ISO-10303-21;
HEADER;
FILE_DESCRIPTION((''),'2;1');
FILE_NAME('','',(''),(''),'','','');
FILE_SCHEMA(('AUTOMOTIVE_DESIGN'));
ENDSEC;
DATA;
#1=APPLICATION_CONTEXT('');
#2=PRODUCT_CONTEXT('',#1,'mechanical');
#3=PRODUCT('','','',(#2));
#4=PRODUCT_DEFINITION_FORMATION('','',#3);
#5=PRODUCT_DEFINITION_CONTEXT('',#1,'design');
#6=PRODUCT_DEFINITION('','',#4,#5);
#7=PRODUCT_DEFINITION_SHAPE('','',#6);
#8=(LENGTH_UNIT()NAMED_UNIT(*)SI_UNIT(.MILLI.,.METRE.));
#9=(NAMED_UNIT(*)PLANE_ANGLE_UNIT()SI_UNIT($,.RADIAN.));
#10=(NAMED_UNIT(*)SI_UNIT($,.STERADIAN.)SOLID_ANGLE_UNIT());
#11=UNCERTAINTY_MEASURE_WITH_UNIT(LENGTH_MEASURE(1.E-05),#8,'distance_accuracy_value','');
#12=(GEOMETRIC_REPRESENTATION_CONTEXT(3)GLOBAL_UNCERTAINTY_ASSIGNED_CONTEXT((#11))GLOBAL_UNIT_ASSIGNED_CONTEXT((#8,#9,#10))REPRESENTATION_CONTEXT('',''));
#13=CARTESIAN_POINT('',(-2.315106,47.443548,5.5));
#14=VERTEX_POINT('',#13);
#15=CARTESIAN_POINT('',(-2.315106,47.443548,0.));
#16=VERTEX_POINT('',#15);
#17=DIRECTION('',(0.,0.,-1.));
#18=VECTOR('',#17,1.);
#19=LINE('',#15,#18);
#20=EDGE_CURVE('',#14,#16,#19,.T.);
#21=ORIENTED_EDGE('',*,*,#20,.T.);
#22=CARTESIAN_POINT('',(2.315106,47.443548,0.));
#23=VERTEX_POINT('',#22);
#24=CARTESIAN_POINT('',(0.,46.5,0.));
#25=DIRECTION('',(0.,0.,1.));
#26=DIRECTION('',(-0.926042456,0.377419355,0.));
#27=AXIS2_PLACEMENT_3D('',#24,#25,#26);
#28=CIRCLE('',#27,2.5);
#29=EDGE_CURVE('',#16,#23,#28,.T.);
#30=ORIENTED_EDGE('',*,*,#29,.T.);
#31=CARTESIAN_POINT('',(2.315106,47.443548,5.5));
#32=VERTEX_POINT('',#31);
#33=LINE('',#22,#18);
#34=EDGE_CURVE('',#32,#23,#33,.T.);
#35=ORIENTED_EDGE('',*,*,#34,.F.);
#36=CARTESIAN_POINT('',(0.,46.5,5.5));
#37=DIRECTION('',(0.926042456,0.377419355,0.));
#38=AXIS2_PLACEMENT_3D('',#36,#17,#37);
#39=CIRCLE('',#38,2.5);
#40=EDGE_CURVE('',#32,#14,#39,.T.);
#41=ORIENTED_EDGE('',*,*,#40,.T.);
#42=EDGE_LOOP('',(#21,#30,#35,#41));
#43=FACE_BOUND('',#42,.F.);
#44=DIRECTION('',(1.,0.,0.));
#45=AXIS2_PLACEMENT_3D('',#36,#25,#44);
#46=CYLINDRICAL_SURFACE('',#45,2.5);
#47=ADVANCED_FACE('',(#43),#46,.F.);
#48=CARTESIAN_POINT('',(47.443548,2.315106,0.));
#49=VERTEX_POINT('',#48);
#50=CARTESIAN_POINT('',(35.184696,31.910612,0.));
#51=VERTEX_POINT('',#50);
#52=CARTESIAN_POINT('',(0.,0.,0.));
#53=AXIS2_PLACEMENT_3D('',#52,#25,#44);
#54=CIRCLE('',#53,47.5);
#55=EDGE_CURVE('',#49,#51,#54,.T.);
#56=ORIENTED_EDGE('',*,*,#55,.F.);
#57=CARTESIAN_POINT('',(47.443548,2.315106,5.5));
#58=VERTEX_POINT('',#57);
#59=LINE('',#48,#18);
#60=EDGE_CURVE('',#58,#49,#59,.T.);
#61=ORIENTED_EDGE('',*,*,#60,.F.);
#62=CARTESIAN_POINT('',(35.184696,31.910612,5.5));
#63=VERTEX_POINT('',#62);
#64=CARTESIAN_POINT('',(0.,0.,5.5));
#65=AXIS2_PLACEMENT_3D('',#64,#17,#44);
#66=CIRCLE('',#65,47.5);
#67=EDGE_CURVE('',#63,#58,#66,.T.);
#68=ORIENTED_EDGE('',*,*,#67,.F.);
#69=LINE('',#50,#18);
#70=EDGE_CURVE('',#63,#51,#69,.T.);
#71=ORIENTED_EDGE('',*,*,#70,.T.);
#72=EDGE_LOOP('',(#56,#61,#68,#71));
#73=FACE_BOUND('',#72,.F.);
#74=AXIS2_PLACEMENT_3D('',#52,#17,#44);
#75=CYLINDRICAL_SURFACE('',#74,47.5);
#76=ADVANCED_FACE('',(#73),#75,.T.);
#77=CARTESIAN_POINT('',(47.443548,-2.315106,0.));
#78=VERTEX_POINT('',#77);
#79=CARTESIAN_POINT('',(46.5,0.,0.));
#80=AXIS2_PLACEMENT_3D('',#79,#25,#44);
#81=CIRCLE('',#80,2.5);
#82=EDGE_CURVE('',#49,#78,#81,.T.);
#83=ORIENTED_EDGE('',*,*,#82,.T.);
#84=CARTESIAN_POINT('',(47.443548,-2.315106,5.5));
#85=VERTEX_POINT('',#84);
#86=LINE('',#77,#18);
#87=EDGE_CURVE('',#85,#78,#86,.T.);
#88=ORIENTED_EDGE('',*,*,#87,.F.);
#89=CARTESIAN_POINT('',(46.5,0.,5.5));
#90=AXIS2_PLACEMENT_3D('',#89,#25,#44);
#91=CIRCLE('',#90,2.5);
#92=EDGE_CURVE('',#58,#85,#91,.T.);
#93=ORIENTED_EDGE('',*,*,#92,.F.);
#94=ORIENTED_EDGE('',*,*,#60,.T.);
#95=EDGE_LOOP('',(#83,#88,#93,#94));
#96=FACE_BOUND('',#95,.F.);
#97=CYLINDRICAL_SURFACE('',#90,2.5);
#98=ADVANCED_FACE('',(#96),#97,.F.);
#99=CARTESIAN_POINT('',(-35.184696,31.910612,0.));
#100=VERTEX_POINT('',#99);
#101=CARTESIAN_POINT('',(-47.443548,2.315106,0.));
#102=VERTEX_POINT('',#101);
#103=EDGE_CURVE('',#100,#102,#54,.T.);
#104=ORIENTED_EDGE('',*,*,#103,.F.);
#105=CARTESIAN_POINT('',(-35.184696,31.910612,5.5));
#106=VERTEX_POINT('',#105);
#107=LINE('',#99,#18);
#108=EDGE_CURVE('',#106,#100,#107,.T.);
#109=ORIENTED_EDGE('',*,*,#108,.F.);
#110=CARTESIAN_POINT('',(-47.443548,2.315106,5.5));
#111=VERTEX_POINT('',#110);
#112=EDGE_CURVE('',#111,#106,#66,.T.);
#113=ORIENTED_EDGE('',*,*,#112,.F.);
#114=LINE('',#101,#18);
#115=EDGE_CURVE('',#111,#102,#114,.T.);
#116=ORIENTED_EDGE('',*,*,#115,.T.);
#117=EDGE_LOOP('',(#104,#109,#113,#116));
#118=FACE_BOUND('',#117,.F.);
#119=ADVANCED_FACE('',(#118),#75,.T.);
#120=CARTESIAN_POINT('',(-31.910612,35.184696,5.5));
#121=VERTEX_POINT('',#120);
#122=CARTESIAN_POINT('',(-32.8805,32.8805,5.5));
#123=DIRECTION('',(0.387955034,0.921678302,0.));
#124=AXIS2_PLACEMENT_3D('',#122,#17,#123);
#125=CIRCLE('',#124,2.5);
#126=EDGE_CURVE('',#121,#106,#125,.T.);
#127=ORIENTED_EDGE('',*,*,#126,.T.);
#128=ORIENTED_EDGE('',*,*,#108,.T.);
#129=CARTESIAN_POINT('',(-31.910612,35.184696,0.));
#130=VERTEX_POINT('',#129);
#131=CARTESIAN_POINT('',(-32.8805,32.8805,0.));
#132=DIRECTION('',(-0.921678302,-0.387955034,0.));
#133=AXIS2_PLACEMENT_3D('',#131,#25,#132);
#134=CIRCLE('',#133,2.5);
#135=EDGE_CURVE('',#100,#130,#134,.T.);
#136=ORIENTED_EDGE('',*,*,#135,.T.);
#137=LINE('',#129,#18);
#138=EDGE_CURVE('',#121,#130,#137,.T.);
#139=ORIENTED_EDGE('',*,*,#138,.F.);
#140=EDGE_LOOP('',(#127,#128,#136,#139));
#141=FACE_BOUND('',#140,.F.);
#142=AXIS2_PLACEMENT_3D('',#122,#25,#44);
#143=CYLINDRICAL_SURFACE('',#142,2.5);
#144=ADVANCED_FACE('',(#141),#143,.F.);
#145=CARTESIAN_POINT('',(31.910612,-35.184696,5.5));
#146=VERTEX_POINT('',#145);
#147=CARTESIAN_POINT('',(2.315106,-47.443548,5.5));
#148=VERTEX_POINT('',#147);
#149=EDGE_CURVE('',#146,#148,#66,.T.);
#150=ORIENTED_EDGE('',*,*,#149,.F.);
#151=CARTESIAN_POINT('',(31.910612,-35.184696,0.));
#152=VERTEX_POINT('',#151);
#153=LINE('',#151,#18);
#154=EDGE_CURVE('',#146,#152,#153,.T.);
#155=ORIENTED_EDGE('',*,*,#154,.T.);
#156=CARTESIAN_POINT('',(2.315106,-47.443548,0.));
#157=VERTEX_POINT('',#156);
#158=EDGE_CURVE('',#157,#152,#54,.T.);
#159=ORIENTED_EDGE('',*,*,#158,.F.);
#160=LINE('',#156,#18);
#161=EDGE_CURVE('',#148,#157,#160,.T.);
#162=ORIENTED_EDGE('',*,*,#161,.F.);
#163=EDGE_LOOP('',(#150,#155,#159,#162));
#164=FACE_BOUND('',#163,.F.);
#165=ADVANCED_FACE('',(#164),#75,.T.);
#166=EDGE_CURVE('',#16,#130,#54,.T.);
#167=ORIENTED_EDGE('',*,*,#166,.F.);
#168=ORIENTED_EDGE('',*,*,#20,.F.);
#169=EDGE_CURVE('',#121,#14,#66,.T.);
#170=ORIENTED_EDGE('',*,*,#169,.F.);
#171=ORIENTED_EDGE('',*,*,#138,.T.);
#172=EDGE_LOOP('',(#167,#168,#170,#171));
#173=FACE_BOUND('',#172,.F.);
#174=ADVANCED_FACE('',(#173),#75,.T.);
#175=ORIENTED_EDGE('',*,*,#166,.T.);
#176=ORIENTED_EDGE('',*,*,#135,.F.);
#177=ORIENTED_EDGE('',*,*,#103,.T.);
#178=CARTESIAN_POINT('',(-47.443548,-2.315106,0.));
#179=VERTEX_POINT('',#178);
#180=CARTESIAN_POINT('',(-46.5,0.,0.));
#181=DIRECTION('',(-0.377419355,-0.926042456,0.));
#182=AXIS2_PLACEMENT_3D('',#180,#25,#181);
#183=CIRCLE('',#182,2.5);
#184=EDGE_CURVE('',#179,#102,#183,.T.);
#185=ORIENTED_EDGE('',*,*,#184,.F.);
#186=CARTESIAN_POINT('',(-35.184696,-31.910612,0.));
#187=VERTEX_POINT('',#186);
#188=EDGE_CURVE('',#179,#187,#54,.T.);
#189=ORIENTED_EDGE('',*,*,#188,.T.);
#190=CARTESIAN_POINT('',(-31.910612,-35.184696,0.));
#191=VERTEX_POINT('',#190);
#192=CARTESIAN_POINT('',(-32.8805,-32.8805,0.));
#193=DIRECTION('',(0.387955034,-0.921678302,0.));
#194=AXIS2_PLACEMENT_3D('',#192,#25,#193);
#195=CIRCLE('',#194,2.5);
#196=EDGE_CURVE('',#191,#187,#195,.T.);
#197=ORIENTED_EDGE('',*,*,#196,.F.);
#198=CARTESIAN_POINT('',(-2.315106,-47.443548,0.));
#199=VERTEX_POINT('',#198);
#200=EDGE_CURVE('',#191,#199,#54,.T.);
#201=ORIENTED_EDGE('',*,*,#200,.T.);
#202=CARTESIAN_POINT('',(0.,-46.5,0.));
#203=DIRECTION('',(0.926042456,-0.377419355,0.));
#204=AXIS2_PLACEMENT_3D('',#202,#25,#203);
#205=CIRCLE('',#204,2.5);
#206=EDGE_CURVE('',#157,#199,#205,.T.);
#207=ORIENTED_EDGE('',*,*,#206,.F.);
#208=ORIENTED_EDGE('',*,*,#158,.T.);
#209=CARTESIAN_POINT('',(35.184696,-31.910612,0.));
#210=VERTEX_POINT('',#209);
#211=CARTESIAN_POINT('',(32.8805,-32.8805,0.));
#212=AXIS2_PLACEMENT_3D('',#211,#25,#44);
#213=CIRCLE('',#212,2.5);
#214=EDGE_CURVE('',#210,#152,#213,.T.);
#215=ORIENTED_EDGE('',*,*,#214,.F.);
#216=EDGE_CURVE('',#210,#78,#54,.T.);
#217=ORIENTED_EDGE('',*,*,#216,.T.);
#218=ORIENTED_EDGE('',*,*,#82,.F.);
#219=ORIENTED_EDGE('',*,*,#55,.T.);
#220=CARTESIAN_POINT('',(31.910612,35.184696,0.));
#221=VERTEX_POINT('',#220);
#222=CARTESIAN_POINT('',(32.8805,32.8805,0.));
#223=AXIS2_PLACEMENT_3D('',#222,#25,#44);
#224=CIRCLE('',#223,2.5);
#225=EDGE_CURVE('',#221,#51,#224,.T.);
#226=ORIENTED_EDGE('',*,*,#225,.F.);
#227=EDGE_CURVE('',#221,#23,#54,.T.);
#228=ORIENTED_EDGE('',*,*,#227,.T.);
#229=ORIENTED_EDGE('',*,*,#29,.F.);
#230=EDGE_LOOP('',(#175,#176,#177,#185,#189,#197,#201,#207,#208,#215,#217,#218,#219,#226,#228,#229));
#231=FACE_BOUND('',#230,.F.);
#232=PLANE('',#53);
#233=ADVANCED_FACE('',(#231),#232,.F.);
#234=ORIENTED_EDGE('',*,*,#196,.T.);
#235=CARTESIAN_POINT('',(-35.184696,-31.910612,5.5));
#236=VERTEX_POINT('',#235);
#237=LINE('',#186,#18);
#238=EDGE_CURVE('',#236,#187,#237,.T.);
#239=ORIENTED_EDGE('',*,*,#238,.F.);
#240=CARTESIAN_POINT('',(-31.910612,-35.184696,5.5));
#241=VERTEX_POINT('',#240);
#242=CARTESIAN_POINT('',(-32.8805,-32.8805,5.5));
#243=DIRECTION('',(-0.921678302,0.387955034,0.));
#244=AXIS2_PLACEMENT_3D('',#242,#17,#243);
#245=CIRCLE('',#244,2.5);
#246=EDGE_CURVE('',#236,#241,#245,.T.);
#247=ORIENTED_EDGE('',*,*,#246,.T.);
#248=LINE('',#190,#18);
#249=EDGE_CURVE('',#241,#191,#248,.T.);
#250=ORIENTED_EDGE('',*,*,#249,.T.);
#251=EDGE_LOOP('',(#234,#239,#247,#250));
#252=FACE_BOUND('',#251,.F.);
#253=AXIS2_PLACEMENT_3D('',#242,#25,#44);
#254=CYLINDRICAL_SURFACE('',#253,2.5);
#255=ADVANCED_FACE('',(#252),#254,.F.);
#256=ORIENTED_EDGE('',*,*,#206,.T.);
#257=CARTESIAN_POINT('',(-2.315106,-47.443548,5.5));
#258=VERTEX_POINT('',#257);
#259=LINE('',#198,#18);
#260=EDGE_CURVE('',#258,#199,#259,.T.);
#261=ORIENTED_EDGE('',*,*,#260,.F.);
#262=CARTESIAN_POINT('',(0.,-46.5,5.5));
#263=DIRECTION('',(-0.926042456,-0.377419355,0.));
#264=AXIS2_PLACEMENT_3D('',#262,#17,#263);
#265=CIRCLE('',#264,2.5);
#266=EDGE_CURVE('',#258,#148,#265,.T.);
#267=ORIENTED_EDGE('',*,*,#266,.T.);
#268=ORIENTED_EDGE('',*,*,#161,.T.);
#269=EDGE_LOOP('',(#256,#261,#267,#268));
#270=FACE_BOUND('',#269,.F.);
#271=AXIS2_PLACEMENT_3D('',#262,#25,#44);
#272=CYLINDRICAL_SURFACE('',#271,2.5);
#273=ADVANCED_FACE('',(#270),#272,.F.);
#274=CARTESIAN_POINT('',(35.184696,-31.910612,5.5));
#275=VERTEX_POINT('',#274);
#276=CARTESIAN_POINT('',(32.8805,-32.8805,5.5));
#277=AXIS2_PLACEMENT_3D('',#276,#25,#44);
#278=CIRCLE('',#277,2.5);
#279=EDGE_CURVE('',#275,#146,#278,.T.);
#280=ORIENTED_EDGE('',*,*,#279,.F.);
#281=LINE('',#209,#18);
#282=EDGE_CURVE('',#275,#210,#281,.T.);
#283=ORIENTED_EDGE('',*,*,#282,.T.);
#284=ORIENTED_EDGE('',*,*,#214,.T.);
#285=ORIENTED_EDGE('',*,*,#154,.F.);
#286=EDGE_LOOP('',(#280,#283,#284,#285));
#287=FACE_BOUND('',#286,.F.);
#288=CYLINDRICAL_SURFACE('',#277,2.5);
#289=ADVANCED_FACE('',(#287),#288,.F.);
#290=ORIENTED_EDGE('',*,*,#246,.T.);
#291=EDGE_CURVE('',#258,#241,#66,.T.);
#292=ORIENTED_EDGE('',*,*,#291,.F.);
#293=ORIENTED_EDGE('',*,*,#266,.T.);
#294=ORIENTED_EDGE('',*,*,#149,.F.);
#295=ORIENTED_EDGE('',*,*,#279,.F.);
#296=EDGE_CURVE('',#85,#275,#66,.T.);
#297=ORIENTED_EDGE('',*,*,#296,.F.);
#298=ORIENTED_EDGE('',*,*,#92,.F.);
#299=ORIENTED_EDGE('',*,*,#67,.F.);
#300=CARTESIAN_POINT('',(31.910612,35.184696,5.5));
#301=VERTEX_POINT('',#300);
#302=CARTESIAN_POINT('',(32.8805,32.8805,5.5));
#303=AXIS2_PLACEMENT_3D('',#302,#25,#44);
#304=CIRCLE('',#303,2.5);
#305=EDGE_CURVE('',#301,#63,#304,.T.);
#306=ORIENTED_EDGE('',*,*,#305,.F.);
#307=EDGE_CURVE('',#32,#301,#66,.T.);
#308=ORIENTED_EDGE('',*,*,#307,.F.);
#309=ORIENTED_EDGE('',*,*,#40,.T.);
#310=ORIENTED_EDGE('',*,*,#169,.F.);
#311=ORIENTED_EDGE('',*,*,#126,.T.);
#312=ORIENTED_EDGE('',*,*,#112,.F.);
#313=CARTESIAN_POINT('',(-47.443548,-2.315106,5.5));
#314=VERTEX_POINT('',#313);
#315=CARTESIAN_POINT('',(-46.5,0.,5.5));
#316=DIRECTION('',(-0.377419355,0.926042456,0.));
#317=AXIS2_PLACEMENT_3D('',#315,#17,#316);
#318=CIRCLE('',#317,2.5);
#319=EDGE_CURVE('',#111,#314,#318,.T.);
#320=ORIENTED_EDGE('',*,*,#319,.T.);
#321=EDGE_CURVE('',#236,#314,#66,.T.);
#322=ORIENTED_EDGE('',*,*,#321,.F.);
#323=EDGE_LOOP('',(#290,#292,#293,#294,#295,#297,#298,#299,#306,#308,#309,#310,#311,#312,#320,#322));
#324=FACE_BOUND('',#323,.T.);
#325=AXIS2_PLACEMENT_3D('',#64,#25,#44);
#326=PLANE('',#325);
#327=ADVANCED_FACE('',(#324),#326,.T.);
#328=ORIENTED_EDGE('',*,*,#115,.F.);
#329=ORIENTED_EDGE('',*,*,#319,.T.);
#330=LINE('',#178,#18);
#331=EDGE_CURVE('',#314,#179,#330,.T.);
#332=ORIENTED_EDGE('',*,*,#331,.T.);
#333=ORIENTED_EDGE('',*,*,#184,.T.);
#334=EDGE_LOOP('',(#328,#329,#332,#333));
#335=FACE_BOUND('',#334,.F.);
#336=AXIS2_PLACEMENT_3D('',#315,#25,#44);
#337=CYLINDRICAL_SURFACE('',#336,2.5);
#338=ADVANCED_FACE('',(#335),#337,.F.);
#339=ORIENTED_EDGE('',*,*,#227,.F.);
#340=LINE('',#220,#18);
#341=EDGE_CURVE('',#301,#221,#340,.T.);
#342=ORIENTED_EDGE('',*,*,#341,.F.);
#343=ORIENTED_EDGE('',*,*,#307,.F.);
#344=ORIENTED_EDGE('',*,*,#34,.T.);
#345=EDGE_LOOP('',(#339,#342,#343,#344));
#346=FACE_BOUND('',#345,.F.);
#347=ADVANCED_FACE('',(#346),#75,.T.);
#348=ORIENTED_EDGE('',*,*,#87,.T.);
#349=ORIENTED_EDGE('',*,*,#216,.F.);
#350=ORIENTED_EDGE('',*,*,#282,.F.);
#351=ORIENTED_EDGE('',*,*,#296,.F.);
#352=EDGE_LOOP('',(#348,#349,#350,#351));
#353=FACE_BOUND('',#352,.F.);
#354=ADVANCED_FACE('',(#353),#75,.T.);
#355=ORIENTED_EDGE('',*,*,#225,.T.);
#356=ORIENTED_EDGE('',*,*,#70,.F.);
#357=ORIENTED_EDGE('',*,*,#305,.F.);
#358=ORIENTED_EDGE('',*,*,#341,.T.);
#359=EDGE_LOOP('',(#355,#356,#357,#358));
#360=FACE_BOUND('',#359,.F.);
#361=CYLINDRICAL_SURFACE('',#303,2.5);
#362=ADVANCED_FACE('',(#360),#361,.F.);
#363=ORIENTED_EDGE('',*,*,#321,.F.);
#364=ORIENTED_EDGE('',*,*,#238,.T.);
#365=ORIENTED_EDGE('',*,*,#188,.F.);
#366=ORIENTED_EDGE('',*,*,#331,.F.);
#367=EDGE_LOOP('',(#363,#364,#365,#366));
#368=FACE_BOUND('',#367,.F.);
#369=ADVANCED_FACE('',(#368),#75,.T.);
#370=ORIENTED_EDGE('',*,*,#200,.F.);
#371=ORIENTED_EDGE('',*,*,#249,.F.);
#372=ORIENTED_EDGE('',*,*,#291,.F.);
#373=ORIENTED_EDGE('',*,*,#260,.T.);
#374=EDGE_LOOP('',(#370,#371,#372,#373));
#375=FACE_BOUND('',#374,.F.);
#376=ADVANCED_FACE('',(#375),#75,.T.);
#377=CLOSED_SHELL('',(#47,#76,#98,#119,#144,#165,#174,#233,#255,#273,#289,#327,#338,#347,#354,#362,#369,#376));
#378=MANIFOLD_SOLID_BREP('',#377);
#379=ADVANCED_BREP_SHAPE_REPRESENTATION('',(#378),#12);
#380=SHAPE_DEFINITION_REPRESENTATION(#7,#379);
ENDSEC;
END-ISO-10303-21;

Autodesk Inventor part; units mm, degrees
ref_plane "YZ Plane" through (0, 0, 0) normal (1, 0, 0) x (0, 1, 0)
ref_plane "XZ Plane" through (0, 0, 0) normal (0, 1, 0) x (-1, 0, 0)
ref_plane "XY Plane" through (0, 0, 0) normal (0, 0, 1) x (1, 0, 0)
sketch "Sketch1" plane through (0, 0, 0) normal (0, 0, 1) x (1, 0, 0)
  circle A0 centre (0, 0) radius 47.5
  circle A1 centre (46.5, 0) radius 2.5
  dimension "d0" = 95
  dimension "d1" = 5
extrude "Extrusion1" add sketch "Sketch1" along normal blind 5.5 contours A0 A1 | A1 A0 picked at (46.4291, -0.6491) picked at (-16.8425, 0)
sketch "Sketch2" plane through (0, 0, 5.5) normal (0, 0, 1) x (1, 0, 0)
  circle A0 centre (46.5, 0) radius 2.5
  circle A1 centre (32.8805, 32.8805) radius 2.5
  circle A2 centre (0, 46.5) radius 2.5
  circle A3 centre (-32.8805, 32.8805) radius 2.5
  circle A4 centre (-46.5, 0) radius 2.5
  circle A5 centre (-32.8805, -32.8805) radius 2.5
  circle A6 centre (0, -46.5) radius 2.5
  circle A7 centre (32.8805, -32.8805) radius 2.5
  point P0 (0, 0)
  dimension "d4" = 5
  dimension "d7" = 360
extrude "Extrusion2" cut sketch "Sketch2" against normal blind 5.5
properties part number "tapa"
